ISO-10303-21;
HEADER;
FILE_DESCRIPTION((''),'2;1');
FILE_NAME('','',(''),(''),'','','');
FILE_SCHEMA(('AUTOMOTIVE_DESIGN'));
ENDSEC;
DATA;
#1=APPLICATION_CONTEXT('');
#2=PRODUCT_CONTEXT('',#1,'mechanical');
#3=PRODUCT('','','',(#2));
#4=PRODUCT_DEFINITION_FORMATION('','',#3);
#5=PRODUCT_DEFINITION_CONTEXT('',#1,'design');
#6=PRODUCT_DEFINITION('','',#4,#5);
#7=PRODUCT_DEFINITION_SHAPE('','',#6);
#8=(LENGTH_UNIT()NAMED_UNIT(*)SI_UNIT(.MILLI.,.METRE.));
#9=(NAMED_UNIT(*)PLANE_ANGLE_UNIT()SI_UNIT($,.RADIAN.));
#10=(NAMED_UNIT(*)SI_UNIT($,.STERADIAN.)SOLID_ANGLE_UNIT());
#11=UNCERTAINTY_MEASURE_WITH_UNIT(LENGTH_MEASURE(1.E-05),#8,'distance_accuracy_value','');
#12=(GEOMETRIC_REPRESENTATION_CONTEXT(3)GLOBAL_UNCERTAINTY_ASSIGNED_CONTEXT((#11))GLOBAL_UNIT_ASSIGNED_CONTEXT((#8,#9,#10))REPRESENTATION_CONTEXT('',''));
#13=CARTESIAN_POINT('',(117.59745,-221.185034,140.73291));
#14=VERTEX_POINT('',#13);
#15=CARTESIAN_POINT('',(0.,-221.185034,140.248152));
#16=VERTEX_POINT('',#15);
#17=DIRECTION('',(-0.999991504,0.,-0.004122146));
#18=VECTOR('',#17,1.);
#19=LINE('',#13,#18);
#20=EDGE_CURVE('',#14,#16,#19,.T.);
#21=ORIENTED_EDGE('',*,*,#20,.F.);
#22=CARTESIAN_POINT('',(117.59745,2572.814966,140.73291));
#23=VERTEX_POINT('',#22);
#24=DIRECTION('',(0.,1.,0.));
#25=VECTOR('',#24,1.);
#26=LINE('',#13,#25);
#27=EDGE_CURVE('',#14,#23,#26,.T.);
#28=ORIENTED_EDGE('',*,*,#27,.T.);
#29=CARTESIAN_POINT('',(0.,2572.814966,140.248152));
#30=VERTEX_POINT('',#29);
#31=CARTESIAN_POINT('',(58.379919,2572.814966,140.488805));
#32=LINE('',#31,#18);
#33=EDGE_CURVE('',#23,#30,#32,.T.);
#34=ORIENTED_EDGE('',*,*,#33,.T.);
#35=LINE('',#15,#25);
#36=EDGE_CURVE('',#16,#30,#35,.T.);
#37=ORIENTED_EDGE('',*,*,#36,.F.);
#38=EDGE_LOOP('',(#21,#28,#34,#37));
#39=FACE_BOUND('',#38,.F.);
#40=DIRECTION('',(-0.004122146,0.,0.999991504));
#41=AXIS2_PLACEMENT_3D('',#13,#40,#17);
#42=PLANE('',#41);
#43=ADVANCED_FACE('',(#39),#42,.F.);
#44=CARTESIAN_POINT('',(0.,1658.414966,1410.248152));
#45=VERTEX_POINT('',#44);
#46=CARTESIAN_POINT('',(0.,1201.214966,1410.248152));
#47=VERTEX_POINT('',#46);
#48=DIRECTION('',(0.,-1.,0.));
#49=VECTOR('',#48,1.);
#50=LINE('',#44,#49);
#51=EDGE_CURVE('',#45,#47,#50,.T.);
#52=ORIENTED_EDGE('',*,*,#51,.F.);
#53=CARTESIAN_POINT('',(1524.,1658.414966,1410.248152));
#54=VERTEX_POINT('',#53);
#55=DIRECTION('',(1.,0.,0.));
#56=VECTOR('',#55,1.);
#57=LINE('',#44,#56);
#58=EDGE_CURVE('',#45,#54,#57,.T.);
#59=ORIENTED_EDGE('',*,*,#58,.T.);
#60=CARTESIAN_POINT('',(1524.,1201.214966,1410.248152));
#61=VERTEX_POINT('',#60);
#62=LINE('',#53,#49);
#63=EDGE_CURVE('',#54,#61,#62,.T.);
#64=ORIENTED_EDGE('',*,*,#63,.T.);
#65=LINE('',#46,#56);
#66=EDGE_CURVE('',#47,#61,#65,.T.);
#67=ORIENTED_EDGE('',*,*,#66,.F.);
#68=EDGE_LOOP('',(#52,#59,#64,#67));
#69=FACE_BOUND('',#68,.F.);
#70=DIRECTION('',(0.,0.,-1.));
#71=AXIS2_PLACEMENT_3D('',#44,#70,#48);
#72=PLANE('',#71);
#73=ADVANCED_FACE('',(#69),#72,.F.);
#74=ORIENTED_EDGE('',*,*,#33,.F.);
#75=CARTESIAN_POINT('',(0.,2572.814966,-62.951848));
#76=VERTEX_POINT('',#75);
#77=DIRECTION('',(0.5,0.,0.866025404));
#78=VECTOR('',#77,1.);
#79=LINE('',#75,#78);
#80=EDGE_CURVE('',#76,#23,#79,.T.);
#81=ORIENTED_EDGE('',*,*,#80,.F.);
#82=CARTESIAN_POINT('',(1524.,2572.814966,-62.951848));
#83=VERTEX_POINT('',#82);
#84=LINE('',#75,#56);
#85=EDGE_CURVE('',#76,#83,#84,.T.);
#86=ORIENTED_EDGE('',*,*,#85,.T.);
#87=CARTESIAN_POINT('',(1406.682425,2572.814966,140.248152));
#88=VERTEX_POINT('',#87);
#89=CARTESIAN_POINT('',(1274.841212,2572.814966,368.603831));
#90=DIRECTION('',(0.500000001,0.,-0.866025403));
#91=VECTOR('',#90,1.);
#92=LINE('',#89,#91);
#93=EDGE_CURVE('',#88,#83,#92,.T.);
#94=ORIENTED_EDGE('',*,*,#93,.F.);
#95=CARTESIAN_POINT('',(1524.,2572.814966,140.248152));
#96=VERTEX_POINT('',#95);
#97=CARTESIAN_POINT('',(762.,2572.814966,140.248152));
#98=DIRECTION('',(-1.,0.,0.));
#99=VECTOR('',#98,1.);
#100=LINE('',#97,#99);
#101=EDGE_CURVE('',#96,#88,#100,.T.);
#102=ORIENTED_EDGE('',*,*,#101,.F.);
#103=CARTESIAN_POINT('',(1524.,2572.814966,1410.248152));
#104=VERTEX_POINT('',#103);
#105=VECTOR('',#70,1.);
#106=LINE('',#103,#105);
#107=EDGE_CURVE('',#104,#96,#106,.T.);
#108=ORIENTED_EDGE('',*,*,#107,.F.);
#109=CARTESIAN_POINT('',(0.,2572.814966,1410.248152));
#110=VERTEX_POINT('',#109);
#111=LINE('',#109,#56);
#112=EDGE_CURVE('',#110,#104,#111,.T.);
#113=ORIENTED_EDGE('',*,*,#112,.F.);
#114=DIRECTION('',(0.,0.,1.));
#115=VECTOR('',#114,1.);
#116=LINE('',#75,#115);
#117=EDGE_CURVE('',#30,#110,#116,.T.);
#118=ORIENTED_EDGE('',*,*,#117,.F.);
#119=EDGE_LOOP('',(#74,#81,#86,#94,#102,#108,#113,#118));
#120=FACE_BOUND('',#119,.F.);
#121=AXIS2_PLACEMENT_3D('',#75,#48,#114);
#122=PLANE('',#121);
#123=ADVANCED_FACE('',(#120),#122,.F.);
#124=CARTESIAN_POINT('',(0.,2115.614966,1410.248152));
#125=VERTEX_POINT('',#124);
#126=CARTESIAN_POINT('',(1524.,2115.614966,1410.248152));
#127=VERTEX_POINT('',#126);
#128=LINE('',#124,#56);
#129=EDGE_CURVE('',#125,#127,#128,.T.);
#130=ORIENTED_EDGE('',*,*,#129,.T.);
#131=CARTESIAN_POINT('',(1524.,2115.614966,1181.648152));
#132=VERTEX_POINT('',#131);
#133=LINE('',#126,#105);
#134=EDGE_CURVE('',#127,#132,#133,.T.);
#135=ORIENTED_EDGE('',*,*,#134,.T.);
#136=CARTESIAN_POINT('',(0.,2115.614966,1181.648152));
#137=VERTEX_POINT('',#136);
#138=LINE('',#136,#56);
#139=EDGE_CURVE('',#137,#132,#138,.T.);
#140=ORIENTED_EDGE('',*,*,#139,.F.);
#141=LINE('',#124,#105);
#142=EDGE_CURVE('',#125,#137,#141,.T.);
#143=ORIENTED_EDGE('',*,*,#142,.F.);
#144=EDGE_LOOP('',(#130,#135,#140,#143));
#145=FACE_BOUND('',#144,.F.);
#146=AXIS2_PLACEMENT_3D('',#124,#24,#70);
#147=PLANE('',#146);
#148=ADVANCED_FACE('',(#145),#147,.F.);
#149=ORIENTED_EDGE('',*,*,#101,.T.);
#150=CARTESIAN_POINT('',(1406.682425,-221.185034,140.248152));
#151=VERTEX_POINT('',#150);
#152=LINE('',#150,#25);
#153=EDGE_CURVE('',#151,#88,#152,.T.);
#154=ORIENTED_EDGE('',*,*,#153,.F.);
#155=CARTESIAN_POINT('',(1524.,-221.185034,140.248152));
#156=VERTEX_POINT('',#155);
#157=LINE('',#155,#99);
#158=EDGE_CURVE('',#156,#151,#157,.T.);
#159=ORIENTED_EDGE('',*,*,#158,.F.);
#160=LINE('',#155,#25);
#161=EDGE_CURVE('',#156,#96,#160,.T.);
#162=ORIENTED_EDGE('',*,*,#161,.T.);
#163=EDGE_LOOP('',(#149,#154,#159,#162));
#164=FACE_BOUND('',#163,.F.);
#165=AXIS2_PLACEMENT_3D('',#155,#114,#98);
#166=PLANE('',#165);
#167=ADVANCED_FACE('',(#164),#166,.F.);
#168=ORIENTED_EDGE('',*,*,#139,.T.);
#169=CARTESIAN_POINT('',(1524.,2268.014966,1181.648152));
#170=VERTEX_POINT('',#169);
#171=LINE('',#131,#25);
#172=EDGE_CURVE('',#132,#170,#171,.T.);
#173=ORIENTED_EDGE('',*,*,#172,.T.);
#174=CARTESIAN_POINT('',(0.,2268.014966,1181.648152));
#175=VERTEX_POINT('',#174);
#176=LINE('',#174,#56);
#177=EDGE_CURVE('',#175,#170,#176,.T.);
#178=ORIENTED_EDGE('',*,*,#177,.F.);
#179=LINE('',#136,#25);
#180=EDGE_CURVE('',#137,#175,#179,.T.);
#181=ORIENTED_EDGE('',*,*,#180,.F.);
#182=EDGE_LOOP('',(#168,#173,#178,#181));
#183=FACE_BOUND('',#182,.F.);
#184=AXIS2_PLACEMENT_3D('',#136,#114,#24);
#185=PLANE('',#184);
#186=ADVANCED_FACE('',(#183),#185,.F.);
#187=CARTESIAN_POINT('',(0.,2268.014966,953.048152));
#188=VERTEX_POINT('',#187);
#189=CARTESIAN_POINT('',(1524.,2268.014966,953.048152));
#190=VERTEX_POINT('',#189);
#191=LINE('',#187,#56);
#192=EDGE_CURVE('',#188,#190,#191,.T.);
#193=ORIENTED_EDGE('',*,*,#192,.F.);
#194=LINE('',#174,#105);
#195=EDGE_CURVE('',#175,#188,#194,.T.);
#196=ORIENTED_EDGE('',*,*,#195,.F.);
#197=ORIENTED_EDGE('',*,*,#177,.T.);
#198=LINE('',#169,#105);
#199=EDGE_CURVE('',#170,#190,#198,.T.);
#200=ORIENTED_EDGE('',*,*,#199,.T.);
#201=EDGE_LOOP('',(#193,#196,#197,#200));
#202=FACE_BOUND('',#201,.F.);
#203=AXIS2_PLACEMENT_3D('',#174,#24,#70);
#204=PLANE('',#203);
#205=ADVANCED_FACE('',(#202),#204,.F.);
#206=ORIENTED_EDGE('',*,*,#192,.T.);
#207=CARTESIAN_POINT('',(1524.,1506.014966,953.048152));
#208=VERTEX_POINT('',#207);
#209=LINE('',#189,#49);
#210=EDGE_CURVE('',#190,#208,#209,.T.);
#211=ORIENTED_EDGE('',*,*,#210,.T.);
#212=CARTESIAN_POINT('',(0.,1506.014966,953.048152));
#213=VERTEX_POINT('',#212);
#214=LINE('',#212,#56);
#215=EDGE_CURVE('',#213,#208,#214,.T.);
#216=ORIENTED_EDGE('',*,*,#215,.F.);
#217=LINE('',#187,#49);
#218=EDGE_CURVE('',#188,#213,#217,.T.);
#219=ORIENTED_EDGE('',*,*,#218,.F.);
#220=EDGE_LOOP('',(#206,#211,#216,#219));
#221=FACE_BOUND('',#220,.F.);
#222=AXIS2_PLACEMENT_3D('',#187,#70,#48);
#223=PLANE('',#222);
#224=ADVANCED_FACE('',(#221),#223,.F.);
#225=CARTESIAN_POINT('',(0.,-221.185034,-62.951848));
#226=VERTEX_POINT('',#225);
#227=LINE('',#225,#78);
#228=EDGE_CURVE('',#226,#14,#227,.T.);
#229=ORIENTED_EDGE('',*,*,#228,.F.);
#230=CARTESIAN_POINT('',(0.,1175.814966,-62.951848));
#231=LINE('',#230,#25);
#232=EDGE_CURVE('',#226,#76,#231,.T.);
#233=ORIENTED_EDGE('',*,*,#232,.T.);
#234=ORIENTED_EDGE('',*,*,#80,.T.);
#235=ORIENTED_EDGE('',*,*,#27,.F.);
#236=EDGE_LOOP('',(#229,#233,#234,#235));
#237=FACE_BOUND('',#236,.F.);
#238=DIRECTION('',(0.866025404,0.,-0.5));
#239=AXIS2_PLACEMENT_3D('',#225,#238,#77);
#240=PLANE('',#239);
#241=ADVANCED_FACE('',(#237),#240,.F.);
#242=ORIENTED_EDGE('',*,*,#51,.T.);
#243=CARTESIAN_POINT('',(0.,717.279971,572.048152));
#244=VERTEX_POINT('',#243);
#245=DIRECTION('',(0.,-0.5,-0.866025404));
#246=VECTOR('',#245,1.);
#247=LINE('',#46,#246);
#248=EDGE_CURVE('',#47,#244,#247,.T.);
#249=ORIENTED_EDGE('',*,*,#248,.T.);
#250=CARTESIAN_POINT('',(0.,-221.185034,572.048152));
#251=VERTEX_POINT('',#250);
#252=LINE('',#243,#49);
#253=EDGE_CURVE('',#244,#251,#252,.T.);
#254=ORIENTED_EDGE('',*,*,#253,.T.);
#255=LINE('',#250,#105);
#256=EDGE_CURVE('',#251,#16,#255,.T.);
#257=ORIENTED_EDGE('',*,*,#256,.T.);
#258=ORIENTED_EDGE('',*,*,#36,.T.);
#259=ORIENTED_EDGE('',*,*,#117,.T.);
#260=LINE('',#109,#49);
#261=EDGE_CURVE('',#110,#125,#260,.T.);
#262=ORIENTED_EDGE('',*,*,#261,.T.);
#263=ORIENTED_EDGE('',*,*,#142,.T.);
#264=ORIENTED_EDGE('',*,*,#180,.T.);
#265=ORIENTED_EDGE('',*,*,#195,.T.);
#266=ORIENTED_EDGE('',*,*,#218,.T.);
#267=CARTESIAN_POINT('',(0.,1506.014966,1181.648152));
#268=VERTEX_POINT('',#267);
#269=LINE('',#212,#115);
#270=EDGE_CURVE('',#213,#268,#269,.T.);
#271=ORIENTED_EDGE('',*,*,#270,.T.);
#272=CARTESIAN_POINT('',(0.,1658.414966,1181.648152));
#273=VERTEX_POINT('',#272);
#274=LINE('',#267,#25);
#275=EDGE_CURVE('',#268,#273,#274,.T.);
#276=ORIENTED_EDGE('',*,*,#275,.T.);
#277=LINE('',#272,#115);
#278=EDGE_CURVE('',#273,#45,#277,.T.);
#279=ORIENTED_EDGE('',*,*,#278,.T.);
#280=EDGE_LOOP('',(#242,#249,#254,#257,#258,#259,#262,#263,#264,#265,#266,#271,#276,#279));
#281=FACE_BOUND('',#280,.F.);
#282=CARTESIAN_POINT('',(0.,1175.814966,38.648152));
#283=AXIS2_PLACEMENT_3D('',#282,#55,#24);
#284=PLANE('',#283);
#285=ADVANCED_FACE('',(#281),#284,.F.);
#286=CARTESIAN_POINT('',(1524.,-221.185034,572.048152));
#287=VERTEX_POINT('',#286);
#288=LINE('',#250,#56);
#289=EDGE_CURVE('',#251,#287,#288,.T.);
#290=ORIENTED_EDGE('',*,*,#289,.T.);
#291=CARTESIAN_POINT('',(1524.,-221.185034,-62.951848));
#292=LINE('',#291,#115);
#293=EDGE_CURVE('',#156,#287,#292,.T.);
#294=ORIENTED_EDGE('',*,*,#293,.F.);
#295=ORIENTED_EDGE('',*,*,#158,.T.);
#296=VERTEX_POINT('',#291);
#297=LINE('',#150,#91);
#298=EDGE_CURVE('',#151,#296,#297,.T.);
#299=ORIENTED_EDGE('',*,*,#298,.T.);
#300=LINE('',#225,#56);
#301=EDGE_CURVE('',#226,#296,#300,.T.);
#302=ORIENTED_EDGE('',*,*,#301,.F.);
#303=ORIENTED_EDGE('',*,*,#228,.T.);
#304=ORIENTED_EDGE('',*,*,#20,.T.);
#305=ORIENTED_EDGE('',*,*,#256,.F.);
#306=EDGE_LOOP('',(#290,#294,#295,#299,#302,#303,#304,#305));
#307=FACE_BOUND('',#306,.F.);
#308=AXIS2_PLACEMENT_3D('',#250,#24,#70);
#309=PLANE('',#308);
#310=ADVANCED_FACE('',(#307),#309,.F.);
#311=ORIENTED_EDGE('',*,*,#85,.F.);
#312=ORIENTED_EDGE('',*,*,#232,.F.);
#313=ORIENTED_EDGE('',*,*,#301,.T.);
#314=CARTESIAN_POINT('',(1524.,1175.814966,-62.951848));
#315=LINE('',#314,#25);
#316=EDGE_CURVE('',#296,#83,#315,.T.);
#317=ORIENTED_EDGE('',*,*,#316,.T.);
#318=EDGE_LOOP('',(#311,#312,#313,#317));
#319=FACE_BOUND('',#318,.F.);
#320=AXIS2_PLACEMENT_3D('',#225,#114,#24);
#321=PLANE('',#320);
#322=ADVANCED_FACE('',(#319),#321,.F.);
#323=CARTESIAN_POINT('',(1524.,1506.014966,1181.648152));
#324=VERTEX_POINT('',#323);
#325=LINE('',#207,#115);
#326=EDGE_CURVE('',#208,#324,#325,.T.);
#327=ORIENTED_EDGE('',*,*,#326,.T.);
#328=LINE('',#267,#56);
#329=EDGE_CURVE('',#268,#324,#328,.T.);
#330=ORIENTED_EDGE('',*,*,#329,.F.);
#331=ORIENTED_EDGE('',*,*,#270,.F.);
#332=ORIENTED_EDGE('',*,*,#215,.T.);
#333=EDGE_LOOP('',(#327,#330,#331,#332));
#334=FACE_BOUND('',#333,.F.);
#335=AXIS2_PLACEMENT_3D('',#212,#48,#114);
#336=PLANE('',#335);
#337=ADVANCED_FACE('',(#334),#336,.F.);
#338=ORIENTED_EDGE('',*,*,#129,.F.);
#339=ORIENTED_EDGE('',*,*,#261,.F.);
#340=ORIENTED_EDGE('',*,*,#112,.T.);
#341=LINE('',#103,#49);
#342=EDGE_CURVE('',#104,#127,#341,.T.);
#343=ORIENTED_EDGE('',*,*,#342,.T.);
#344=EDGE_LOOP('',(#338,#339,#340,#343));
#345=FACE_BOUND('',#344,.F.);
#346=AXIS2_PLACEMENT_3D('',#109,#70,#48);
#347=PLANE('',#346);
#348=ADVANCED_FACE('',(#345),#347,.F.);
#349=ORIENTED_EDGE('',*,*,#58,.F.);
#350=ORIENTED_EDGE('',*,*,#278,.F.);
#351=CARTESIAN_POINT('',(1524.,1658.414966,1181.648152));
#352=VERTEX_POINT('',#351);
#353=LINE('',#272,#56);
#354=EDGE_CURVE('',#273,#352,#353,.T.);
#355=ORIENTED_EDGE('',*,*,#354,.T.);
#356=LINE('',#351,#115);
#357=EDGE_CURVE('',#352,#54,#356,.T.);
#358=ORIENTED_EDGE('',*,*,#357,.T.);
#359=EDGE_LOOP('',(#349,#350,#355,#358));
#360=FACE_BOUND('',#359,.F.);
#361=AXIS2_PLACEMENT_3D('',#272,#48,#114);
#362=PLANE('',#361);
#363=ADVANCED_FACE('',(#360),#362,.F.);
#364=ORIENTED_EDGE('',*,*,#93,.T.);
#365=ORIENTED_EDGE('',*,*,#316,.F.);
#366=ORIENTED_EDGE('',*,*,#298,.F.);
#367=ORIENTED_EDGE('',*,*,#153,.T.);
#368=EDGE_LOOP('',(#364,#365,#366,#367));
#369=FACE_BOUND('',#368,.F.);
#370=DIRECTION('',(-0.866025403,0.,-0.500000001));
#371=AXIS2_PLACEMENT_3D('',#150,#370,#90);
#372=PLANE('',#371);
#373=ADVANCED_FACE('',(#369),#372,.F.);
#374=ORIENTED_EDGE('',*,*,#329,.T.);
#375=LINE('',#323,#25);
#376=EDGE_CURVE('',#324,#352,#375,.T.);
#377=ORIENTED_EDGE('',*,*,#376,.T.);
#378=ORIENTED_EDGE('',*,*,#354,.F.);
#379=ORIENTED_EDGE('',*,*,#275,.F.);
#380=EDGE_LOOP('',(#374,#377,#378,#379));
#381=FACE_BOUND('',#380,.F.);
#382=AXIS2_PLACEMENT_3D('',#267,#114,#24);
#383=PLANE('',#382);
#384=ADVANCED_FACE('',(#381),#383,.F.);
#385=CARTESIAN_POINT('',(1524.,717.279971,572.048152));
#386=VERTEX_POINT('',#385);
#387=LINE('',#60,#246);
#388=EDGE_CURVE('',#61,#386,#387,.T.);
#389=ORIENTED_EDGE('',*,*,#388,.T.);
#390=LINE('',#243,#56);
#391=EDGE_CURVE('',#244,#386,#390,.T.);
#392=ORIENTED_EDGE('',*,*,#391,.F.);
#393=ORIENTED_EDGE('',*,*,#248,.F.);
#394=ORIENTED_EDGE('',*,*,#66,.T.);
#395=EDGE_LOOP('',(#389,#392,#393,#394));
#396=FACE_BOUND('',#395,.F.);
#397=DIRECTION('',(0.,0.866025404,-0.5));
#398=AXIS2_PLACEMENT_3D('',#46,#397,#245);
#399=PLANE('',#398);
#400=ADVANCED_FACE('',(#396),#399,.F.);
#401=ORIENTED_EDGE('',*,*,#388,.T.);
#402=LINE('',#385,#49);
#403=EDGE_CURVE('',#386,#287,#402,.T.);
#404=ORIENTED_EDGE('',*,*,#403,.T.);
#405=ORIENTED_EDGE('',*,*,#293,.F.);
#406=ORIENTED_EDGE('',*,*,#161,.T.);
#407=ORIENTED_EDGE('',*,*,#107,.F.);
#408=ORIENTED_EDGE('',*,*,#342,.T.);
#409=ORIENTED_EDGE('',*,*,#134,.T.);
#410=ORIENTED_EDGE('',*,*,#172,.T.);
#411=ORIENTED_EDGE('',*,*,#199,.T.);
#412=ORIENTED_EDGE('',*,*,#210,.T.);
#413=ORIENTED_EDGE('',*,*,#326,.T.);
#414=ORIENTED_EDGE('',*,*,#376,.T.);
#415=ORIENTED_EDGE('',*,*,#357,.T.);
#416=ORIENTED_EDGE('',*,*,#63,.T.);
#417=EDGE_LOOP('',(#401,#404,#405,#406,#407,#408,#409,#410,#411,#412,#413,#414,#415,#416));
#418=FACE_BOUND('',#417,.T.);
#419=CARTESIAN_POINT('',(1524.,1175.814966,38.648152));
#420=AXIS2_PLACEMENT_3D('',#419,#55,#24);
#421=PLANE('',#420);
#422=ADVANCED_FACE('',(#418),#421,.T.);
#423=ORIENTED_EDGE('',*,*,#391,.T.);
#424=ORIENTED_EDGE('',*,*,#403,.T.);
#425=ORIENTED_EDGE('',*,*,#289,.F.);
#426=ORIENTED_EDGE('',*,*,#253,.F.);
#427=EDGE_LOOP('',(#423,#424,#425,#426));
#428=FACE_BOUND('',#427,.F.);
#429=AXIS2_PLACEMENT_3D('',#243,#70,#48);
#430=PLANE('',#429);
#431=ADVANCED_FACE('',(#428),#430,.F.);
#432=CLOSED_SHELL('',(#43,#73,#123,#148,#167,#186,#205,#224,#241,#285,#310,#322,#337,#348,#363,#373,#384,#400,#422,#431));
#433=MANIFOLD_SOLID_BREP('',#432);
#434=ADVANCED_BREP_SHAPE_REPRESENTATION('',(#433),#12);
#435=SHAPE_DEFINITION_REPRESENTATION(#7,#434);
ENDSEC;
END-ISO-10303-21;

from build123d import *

# Parameters (mm, degrees)
F1_DEPTH = 1524
F0_W     = 2794
F0_H     = 203.2
F2_DEPTH = 1524
F4_DEPTH = 2794.001


with BuildPart() as f1:
    # F0 (on Right) → F1 (new body)
    with BuildSketch(Plane.YZ):
        Polygon((-221.185034, 572.048152), (-221.185034, 140.248152), (2572.814966, 140.248152), (2572.814966, 953.048152), (2572.814966, 1181.648152), (2572.814966, 1410.248152), (2115.614966, 1410.248152), (2115.614966, 1181.648152), (2268.014966, 1181.648152), (2268.014966, 953.048152), (1506.014966, 953.048152), (1506.014966, 1181.648152), (1658.414966, 1181.648152), (1658.414966, 1410.248152), (1201.214966, 1410.248152), (717.279971, 572.048152), align=None)
    extrude(amount=F1_DEPTH)

    # F0 (on Right) → F2 (join)
    with BuildSketch(Plane.YZ):
        with Locations((1175.814966, 38.648152)):
            Rectangle(F0_W, F0_H)
        Polygon((-221.185034, 572.048152), (-221.185034, 140.248152), (2572.814966, 140.248152), (2572.814966, 953.048152), (2572.814966, 1181.648152), (2572.814966, 1410.248152), (2115.614966, 1410.248152), (2115.614966, 1181.648152), (2268.014966, 1181.648152), (2268.014966, 953.048152), (1506.014966, 953.048152), (1506.014966, 1181.648152), (1658.414966, 1181.648152), (1658.414966, 1410.248152), (1201.214966, 1410.248152), (717.279971, 572.048152), align=None)
    extrude(amount=F2_DEPTH)

    # F3 (on face) → F4 (cut, through all)
    with BuildSketch(Plane.XZ.offset(221.185034)):
        Polygon((0, 140.248152), (0, -62.951848), (117.59745, 140.73291), align=None)
        Polygon((1406.682425, 140.248152), (1524, -62.951848), (1524, 140.248152), align=None)
    extrude(amount=-F4_DEPTH, mode=Mode.SUBTRACT)


solid = f1.part
